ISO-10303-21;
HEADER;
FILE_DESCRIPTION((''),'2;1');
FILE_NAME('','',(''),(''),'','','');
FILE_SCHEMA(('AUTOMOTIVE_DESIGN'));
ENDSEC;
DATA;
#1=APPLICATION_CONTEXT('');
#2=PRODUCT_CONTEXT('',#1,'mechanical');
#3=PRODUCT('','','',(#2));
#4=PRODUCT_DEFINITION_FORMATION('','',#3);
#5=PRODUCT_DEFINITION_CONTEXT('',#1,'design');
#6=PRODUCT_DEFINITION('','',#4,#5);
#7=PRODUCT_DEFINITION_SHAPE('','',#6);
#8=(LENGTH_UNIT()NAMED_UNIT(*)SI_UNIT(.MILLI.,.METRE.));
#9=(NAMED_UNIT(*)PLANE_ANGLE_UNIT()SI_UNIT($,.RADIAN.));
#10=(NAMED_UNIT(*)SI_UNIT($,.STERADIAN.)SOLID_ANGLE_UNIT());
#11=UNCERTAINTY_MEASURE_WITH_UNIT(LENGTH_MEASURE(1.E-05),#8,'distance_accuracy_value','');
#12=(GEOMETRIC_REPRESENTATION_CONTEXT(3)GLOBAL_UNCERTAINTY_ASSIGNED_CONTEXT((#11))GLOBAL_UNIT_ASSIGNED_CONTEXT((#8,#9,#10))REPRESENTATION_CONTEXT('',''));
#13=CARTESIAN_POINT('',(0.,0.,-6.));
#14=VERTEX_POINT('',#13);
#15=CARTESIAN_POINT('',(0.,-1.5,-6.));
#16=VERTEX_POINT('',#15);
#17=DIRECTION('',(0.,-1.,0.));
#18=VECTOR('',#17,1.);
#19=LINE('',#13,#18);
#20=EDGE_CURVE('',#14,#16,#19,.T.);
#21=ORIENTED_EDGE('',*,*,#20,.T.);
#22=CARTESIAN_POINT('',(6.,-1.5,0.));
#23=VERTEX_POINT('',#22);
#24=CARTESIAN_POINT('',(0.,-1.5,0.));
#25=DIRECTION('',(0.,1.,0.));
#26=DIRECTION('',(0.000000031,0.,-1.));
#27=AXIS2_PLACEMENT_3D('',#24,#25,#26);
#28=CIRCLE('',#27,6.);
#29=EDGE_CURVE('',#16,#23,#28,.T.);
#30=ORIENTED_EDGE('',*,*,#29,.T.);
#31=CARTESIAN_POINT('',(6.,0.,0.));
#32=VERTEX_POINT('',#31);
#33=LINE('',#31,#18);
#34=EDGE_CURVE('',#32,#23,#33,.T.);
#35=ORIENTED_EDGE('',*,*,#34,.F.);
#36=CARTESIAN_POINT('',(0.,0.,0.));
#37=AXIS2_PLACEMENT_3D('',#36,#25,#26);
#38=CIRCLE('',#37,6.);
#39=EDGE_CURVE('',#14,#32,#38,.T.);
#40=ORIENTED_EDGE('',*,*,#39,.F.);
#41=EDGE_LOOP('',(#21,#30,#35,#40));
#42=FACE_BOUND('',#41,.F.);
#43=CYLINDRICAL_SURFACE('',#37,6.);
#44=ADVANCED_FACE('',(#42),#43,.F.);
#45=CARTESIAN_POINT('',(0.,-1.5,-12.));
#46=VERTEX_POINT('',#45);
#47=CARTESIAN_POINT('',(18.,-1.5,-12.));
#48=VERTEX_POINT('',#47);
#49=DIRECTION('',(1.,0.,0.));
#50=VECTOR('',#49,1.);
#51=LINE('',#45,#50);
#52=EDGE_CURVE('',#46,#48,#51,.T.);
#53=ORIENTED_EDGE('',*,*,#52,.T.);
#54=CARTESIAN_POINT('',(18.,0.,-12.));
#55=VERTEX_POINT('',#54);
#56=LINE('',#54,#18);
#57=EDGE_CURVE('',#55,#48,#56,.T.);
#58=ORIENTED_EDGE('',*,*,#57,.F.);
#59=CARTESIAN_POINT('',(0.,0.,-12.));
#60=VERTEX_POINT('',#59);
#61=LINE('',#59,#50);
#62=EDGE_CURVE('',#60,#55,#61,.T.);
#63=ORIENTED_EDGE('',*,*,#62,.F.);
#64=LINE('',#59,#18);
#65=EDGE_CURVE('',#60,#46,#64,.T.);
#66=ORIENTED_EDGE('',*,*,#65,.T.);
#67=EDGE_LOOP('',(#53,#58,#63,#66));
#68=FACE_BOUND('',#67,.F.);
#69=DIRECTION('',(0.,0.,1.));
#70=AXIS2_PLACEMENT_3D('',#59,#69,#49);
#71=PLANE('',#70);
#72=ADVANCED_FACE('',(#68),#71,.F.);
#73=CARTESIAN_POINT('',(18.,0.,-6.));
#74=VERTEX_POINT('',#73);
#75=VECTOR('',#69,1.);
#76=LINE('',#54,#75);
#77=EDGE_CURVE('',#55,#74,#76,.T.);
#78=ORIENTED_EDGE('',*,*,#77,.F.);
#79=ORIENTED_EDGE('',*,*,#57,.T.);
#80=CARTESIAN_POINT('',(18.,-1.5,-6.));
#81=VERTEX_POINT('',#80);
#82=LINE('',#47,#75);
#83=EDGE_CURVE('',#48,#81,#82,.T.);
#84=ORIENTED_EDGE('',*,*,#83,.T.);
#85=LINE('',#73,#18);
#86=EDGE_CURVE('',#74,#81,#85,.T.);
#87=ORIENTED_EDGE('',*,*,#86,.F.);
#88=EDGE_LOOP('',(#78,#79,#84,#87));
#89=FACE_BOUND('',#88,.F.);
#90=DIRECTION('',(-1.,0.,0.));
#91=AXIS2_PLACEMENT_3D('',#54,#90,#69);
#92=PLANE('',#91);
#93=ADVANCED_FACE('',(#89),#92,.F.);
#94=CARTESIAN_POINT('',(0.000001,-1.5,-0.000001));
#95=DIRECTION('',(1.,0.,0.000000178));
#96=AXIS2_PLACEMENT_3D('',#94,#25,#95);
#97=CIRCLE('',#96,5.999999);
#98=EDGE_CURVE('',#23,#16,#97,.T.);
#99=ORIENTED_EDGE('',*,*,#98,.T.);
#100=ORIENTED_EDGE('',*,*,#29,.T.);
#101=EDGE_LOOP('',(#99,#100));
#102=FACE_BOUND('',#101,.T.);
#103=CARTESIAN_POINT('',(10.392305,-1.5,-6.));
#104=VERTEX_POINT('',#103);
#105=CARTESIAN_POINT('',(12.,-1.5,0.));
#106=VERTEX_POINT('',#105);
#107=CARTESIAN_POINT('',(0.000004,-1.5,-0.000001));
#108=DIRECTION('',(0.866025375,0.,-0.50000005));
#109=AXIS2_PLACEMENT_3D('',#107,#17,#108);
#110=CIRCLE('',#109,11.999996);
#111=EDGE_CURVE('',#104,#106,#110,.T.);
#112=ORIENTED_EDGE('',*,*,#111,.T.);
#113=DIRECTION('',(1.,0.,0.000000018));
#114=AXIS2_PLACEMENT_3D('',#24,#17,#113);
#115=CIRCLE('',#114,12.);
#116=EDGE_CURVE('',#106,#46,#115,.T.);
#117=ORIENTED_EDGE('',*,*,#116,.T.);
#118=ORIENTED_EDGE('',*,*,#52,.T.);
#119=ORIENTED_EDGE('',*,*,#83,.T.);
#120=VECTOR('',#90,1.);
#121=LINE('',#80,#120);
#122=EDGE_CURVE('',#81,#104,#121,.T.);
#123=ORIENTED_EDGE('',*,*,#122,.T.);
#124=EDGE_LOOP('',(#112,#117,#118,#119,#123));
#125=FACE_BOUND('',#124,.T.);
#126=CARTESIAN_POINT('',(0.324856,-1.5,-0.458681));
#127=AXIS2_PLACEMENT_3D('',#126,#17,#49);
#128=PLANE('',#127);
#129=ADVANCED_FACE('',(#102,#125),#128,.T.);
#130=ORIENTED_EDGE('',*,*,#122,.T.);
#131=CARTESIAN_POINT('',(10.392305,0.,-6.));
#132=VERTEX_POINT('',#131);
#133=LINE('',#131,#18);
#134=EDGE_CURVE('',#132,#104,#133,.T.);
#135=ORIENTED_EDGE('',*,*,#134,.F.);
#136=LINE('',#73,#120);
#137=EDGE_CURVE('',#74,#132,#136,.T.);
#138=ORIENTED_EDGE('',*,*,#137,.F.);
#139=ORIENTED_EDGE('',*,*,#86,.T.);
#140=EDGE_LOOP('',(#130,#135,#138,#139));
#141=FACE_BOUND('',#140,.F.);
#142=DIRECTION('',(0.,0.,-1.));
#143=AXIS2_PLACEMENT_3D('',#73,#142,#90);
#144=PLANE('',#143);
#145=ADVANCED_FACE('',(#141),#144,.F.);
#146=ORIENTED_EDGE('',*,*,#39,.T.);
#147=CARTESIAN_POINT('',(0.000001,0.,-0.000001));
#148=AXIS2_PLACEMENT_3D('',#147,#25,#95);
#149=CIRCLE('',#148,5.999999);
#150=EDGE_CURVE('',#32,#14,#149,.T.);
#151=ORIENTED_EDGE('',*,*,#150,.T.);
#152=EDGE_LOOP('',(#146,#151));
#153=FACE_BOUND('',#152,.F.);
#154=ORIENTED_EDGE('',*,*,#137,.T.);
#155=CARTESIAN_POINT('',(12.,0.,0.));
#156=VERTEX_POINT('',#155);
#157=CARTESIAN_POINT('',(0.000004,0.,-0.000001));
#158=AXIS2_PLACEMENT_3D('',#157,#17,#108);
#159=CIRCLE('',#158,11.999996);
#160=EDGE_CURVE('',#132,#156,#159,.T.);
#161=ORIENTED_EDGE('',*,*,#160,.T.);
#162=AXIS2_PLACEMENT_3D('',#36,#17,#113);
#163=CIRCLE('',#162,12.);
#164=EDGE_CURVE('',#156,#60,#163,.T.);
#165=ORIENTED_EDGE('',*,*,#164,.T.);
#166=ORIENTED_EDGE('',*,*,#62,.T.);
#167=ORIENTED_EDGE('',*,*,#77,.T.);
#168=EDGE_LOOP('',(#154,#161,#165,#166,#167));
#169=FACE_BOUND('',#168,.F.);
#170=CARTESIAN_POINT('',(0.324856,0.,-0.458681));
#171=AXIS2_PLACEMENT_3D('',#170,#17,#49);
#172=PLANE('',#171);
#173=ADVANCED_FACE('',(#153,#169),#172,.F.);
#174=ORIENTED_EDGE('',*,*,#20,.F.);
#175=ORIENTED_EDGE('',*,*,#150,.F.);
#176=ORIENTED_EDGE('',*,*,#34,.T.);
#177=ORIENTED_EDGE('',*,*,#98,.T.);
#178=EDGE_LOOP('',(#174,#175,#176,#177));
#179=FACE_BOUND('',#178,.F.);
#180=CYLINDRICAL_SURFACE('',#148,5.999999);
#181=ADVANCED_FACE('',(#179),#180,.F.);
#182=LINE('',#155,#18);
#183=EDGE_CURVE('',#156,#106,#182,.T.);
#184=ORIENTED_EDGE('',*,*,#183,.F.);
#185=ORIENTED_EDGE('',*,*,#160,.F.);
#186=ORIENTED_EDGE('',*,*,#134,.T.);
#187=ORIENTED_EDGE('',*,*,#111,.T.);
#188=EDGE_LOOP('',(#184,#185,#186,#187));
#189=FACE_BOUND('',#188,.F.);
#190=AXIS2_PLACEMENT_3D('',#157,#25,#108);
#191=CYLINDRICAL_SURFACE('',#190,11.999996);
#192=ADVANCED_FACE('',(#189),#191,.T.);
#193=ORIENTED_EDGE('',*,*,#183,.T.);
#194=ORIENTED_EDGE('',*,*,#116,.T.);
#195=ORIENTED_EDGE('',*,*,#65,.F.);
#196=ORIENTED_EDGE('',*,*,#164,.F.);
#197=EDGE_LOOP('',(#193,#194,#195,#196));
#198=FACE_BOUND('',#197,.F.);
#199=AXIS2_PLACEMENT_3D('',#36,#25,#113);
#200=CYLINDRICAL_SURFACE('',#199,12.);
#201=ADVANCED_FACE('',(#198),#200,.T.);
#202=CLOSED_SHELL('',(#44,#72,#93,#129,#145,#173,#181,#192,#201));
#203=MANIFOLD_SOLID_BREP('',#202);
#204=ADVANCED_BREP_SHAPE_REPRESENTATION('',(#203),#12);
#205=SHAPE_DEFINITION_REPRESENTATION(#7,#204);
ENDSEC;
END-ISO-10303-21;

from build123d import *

# Parameters (mm, degrees)
F1_DEPTH = 1.5


with BuildPart() as f1:
    # F0 (on Front) → F1 (new body)
    with BuildSketch(Plane.XZ):
        with BuildLine():
            Line((0, -12), (0, -6))
            Line((0, -6), (10.392305, -6))
            ThreePointArc((10.392305, -6), (11.59111, -3.105829), (12, 0))
            ThreePointArc((12, 0), (-8.485281, 8.485281), (0, -12))
        make_face()
        with BuildLine():
            ThreePointArc((0, -6), (-4.242641, 4.242641), (6, 0))
            ThreePointArc((6, 0), (4.242641, -4.242641), (0, -6))
        make_face(mode=Mode.SUBTRACT)
        with BuildLine():
            Line((18, -6), (10.392305, -6))
            ThreePointArc((10.392305, -6), (6, -10.392305), (0, -12))
            Line((0, -12), (18, -12))
            Line((18, -12), (18, -6))
        make_face()
        with BuildLine():
            Line((10.392305, -6), (0, -6))
            Line((0, -6), (0, -12))
            ThreePointArc((0, -12), (6, -10.392305), (10.392305, -6))
        make_face()
    extrude(amount=F1_DEPTH)


solid = f1.part
